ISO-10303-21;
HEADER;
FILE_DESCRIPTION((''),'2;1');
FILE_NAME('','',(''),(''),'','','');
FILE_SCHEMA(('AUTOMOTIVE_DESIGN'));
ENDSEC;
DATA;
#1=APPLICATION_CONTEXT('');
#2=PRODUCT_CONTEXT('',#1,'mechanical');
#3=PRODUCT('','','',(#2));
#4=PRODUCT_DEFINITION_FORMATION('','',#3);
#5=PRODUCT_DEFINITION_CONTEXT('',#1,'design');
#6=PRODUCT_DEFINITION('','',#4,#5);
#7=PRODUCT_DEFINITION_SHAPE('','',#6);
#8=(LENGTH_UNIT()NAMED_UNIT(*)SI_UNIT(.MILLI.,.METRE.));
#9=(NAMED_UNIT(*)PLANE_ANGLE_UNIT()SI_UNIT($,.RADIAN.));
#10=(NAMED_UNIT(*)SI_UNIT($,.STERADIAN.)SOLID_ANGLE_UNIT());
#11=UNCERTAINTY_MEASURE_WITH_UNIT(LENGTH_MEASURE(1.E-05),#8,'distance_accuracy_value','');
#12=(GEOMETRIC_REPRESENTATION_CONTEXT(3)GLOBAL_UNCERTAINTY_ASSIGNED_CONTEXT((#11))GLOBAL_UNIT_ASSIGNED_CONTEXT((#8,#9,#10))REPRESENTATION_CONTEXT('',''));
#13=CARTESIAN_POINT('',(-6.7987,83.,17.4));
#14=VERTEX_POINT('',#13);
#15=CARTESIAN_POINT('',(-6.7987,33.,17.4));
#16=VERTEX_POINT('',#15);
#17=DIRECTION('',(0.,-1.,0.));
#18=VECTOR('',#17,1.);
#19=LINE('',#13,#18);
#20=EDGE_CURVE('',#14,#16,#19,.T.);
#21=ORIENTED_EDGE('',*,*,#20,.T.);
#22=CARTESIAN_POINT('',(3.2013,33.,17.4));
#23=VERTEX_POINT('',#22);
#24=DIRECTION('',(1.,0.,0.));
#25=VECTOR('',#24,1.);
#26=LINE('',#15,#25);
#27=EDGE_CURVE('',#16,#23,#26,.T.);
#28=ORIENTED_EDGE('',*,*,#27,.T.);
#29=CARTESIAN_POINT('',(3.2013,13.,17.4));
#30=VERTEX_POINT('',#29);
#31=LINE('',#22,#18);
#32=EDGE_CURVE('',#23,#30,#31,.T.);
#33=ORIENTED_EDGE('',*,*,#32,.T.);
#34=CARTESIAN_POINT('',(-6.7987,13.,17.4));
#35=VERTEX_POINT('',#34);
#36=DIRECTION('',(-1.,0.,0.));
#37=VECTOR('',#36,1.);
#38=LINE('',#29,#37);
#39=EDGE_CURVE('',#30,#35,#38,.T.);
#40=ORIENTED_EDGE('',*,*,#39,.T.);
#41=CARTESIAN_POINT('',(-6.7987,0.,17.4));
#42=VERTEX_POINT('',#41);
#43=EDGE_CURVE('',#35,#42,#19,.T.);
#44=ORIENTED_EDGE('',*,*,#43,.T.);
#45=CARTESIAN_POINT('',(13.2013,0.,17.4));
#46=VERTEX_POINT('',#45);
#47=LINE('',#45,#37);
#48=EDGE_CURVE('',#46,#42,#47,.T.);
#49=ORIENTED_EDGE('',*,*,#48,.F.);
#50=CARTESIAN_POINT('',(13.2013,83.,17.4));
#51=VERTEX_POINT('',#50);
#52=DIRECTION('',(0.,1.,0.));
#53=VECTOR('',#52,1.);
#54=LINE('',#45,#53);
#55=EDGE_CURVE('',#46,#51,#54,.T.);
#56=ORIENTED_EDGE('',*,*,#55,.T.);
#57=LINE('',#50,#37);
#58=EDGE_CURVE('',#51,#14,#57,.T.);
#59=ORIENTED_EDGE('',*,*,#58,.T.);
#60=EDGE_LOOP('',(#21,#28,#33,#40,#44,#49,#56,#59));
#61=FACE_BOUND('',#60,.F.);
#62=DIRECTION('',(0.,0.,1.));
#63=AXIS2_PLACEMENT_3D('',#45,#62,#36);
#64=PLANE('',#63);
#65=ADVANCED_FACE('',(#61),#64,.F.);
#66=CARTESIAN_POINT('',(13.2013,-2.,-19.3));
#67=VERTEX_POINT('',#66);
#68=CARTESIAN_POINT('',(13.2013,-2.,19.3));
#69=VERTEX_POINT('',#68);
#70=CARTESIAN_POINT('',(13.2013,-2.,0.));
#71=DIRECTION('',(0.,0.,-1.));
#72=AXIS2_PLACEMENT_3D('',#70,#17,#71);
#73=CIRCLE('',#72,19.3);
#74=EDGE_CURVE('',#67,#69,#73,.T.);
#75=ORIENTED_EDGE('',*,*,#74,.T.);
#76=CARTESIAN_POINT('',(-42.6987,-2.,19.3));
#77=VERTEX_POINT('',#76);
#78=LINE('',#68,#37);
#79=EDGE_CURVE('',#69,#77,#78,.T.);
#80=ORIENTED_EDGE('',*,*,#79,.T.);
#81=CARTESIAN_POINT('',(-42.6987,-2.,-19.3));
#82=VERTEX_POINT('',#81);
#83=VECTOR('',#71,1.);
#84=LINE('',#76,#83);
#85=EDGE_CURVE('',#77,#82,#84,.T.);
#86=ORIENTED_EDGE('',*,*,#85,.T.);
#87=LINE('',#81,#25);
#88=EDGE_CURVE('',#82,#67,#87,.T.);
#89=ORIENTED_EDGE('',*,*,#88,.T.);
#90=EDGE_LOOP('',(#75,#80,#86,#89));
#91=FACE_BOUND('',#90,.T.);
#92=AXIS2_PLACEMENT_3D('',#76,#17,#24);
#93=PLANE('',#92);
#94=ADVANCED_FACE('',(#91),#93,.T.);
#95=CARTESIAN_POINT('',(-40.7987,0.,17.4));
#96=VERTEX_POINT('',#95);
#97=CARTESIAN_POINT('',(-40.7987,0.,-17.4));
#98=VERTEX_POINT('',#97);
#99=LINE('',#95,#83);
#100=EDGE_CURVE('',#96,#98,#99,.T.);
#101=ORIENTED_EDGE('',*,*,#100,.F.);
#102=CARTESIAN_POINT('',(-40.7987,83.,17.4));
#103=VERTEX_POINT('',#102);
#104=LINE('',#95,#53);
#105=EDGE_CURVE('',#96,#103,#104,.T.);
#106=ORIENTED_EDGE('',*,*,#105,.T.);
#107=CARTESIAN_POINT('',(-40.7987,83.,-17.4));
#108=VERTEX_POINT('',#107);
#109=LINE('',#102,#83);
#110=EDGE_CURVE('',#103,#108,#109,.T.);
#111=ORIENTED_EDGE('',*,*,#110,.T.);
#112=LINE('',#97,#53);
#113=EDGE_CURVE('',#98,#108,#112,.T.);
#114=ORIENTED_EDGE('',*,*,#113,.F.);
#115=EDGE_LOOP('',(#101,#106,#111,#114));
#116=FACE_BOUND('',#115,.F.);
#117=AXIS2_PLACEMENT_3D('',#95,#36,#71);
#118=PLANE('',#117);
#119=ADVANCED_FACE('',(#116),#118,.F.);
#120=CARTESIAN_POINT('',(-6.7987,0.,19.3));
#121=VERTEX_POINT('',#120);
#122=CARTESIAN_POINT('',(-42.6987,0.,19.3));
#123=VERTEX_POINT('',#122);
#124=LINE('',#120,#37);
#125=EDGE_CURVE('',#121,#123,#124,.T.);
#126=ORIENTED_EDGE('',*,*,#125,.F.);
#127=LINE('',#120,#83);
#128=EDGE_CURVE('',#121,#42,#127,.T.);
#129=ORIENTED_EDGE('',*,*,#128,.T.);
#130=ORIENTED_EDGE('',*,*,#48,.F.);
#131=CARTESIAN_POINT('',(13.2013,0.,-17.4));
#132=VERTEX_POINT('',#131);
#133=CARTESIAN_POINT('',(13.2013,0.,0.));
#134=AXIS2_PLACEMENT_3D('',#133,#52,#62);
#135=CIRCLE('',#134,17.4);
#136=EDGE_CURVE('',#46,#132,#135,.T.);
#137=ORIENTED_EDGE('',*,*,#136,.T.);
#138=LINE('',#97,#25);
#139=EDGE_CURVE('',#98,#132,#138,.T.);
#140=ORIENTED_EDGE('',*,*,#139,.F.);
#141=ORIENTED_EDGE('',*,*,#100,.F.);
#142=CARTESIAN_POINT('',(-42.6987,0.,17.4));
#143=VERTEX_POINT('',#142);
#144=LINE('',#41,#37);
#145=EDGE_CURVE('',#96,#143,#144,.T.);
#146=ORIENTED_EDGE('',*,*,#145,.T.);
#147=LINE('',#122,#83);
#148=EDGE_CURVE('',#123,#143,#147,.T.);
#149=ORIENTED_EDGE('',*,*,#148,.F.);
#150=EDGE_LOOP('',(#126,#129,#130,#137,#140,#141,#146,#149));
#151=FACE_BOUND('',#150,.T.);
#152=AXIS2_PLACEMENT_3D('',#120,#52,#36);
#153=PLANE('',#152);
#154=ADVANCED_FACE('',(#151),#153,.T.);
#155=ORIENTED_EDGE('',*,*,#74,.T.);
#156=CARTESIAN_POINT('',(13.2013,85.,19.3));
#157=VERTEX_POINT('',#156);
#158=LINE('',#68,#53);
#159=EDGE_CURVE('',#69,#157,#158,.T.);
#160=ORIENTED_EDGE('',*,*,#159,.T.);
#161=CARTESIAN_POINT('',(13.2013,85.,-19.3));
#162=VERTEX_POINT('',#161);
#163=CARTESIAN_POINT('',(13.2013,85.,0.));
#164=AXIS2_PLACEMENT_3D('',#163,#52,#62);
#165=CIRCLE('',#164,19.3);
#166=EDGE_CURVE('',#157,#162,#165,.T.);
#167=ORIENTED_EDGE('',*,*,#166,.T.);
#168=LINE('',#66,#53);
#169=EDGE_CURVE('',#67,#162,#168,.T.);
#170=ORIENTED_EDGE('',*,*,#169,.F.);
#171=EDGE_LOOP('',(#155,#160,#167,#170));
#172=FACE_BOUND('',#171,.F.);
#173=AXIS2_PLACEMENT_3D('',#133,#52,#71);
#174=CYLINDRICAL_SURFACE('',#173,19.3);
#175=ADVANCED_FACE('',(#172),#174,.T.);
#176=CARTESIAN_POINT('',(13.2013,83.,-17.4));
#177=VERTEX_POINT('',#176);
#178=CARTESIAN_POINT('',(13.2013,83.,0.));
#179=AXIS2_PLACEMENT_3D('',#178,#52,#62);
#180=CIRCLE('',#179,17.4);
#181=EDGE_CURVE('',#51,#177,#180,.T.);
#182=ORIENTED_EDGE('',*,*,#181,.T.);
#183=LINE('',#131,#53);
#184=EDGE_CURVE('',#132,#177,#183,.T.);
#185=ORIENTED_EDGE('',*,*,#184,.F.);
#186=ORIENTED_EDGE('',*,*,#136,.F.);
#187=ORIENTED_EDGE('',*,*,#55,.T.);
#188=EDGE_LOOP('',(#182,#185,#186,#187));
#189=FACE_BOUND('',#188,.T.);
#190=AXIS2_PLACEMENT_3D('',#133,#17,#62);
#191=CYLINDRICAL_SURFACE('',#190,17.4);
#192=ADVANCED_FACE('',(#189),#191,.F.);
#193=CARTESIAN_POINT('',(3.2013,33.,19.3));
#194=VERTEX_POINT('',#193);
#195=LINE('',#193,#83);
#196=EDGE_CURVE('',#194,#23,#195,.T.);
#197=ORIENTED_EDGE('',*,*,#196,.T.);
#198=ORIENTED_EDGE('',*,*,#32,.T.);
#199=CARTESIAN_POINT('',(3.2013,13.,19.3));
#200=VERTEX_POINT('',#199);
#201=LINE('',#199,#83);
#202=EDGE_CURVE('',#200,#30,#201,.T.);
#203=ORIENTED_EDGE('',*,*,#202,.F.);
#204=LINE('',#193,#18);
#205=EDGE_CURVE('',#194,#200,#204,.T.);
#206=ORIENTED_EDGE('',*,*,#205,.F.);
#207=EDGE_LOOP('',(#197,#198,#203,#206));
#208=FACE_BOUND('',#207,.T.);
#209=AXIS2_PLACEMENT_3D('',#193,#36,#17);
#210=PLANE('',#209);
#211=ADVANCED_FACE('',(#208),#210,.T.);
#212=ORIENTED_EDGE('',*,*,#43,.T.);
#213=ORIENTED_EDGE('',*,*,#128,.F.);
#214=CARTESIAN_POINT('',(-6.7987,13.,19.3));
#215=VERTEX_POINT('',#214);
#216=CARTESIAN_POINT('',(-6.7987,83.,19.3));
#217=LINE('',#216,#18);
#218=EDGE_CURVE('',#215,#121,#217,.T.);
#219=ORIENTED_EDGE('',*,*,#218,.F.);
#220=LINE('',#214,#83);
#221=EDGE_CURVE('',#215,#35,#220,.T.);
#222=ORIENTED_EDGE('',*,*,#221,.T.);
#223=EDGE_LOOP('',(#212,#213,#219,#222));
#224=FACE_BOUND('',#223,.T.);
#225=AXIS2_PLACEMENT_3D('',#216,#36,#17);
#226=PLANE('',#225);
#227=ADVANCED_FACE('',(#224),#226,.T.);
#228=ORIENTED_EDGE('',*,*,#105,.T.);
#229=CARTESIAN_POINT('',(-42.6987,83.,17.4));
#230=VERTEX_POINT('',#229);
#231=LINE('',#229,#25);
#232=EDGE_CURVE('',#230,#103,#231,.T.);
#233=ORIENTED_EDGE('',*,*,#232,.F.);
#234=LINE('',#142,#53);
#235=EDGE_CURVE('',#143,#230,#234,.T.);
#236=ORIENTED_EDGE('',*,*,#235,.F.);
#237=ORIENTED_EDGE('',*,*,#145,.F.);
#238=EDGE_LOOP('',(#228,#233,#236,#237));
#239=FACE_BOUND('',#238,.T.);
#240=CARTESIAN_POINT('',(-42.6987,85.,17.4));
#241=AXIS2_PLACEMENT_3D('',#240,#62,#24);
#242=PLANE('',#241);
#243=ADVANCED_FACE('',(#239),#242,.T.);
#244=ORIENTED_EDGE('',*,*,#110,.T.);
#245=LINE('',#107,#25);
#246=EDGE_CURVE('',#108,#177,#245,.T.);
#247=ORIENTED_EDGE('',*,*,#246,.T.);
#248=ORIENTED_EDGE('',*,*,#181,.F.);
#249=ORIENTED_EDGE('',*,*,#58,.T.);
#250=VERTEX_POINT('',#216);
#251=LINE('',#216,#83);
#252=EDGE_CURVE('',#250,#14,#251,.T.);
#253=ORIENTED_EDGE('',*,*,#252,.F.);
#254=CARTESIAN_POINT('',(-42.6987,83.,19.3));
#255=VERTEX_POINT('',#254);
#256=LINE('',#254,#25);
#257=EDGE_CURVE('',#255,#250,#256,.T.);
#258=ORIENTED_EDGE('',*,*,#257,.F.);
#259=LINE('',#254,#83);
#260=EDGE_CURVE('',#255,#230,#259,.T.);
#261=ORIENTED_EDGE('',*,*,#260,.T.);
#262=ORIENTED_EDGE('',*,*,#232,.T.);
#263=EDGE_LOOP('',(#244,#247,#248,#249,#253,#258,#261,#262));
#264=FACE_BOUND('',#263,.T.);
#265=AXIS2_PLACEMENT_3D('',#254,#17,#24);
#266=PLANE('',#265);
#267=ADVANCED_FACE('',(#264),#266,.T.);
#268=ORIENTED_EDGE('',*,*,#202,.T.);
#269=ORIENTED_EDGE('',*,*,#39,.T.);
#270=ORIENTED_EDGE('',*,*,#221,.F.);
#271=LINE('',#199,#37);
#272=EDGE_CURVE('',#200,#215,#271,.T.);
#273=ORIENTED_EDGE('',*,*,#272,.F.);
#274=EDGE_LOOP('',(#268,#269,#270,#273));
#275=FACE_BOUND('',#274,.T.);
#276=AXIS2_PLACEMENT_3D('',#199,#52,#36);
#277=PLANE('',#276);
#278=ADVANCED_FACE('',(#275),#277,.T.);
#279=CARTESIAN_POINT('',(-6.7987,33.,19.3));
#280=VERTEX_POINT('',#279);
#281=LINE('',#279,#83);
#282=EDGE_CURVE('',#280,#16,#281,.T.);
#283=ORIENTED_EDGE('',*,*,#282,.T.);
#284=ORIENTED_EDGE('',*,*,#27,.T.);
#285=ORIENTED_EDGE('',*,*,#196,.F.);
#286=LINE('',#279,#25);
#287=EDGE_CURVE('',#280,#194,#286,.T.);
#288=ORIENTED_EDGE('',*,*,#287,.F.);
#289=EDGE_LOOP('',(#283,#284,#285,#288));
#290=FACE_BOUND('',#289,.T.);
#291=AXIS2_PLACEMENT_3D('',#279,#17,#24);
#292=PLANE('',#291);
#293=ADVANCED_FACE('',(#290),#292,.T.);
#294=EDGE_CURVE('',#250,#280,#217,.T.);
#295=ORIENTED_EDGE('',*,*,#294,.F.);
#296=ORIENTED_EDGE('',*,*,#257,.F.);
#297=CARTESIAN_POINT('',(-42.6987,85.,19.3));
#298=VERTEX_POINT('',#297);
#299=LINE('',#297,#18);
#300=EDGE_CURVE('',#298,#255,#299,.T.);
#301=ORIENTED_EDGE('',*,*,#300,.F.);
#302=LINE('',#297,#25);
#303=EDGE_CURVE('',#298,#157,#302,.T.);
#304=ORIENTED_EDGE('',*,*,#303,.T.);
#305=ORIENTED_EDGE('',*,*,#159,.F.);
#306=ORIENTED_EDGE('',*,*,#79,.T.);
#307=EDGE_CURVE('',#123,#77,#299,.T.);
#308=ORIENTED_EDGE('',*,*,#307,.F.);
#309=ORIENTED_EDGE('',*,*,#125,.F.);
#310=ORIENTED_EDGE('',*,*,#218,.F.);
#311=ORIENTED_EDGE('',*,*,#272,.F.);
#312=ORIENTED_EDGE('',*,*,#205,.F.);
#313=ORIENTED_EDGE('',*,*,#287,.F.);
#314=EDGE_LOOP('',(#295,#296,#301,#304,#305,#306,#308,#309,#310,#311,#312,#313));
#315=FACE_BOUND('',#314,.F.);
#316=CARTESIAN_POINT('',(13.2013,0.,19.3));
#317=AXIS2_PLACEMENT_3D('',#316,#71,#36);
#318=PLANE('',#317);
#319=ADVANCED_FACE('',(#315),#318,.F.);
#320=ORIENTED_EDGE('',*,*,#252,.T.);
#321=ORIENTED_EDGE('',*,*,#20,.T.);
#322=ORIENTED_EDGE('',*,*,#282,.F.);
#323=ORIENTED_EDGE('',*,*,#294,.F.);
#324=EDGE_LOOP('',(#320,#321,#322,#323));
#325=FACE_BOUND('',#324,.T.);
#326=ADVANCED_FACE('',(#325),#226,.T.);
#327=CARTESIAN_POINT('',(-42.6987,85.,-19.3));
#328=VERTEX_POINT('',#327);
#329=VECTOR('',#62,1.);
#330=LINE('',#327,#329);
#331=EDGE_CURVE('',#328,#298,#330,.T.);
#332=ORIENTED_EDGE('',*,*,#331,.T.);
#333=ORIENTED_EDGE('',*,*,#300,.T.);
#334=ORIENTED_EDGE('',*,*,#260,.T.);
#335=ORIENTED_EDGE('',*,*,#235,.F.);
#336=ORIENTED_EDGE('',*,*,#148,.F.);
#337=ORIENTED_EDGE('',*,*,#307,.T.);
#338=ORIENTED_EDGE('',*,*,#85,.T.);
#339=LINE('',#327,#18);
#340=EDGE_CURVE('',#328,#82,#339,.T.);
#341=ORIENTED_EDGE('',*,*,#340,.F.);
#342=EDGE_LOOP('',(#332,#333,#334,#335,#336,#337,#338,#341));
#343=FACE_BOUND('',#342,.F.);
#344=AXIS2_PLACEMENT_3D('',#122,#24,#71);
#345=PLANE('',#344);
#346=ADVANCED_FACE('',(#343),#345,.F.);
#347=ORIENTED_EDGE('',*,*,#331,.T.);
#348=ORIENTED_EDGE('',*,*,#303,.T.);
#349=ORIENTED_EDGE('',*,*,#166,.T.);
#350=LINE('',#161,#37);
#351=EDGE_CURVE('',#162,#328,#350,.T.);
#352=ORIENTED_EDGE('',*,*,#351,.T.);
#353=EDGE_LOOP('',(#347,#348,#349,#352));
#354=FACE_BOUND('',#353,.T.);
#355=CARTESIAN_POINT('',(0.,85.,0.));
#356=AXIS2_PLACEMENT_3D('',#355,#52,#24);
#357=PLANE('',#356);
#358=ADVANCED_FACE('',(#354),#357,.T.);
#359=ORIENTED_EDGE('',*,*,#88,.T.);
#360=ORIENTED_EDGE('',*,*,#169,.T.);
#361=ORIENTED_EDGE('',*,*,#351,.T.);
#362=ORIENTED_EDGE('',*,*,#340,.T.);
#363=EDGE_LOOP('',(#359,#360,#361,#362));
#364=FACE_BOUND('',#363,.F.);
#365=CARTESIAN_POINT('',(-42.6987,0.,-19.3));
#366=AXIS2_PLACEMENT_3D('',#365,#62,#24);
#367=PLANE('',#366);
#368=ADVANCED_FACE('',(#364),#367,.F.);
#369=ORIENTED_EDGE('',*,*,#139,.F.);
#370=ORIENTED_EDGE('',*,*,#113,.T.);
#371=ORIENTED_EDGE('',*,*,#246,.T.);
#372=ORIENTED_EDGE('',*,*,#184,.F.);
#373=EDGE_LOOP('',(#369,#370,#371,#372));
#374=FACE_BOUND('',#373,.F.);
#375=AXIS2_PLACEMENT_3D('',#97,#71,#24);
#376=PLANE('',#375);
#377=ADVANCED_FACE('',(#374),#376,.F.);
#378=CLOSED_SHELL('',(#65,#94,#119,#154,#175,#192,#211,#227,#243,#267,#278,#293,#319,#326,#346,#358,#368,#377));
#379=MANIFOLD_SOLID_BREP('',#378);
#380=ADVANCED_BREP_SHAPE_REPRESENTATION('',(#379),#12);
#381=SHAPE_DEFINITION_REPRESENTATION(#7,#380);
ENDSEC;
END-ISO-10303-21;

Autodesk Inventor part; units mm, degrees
ref_plane "YZ Plane" through (0, 0, 0) normal (1, 0, 0) x (0, 1, 0)
sketch "Sketch1" plane through (0, 0, 0) normal (0, 1, 0) x (-1, 0, 0)
  line L0 (40.7987, 17.4) -> (40.7987, -17.4)
  line L1 (40.7987, -17.4) -> (-13.2013, -17.4)
  arc A0 (-13.2013, 17.4) -> (-13.2013, -17.4) centre (-13.2013, 0) ccw
  line L2 (-13.2013, 17.4) -> (40.7987, 17.4)
  line L3 (42.6987, -19.3) -> (42.6987, 19.3)
  line L4 (42.6987, 19.3) -> (-13.2013, 19.3)
  arc A1 (-13.2013, 19.3) -> (-13.2013, -19.3) centre (-13.2013, 0) ccw
  line L5 (-13.2013, -19.3) -> (42.6987, -19.3)
  point P0 (0, 0)
  point P1 (-13.2013, 0)
  point P2 (0, 0)
  point P3 (-12.8411, -36.7096)
  point P4 (-12.8411, -7.716)
  point P5 (-24.0253, -72.4098)
  dimension "d156" = 1.9
  dimension "d157" = 1.9
  dimension "d158" = 1.9
  dimension "d159" = 1.9
  dimension "d160" = 54
extrude "Extrusion1" add sketch "Sketch1" along normal blind 83
ref_plane "Work Plane1" through (0, 85, 0) normal (0, 1, 0) x (1, 0, 0)
sketch "Sketch2" plane through (0, 85, 0) normal (0, 1, 0) x (1, 0, 0)
  line L0 (-42.6987, 19.3) -> (-42.6987, -19.3)
  line L1 (-42.6987, -19.3) -> (13.2013, -19.3)
  arc A0 (13.2013, -19.3) -> (13.2013, 19.3) centre (13.2013, 0) ccw
  line L2 (13.2013, 19.3) -> (-42.6987, 19.3)
  line L3 (-42.6987, 19.3) -> (-42.6987, -19.3) projected
  line L4 (-42.6987, -19.3) -> (13.2013, -19.3) projected
  arc A1 (13.2013, -19.3) -> (13.2013, 19.3) centre (13.2013, 0) ccw projected
  point P0 (0, 0)
  point P1 (14.0497, 95.3418)
  point P2 (14.0497, 124.3354)
  point P3 (2.8654, 59.6417)
  dimension "d163" = 38.6
  dimension "d165" = 19.3
  dimension "d166" = 0
  dimension "d167" = 0
  dimension "d168" = 0
extrude "Extrusion2" add sketch "Sketch2" against normal up to surface (2 mm away)
ref_plane "Work Plane2" through (-42.6987, 0, 19.3) normal (0, -1, 0) x (1, 0, 0)
sketch "Sketch35" plane through (-42.6987, 0, 19.3) normal (0, -1, 0) x (1, 0, 0)
  line L0 (0, 0) -> (0, -38.6)
  line L1 (0, -38.6) -> (55.9, -38.6)
  arc A0 (55.9, -38.6) -> (55.9, 0) centre (55.9, -19.3) ccw
  line L2 (55.9, 0) -> (0, 0)
  line L3 (0, 0) -> (55.9, 0) projected
  arc A1 (55.9, -38.6) -> (55.9, 0) centre (55.9, -19.3) ccw projected
  line L4 (0, -38.6) -> (0, 0) projected
  point P0 (17.1629, -27.1873)
  point P1 (30.3642, -27.1873)
  point P2 (17.1629, -27.1873)
  point P3 (14.0497, 95.3418)
  point P4 (14.0497, 124.3354)
  point P5 (2.8654, 59.6417)
  dimension "d132" = 19.3
  dimension "d133" = 0
  dimension "d162" = 0
extrude "Extrusion24" add sketch "Sketch35" along normal blind 2
sketch "Sketch37" plane through (-42.6987, 85, 19.3) normal (0, 0, 1) x (1, 0, 0)
  line L0 (35.9, -85) -> (0, -85)
  line L1 (0, -85) -> (0, -2)
  line L2 (0, -2) -> (35.9, -2)
  line L3 (35.9, -2) -> (35.9, -85)
  line L4 (55.9, -85) -> (1.9, -85) projected
  line L5 (55.9, -2) -> (1.9, -2) projected
  line L6 (0, 0) -> (0, -87) projected
  line L7 (55.9, -87) -> (55.9, 0) projected
  point P0 (42.6987, -85)
  dimension "d143" = 0
  dimension "d144" = 0
  dimension "d145" = 0
  dimension "d146" = 20
extrude "Extrusion26" cut sketch "Sketch37" against normal up to surface (1.9 mm away) contours L0 L1 L2 L3
sketch "Sketch38" plane through (-42.6987, 85, 19.3) normal (0, 0, 1) x (1, 0, 0)
  line L0 (35.9, -85) -> (35.9, -2) projected
  line L1 (45.9, -72) -> (35.9, -72)
  line L2 (35.9, -72) -> (35.9, -52)
  line L3 (35.9, -52) -> (45.9, -52)
  line L4 (45.9, -52) -> (45.9, -72)
  line L5 (55.9, -87) -> (0, -87) projected
  point P0 (42.6987, -85)
  point P1 (35.9, -72)
  dimension "d149" = 20
  dimension "d150" = 10
  dimension "d151" = 15
extrude "Extrusion27" cut sketch "Sketch38" against normal up to surface (1.9 mm away)
properties part number "víko"
